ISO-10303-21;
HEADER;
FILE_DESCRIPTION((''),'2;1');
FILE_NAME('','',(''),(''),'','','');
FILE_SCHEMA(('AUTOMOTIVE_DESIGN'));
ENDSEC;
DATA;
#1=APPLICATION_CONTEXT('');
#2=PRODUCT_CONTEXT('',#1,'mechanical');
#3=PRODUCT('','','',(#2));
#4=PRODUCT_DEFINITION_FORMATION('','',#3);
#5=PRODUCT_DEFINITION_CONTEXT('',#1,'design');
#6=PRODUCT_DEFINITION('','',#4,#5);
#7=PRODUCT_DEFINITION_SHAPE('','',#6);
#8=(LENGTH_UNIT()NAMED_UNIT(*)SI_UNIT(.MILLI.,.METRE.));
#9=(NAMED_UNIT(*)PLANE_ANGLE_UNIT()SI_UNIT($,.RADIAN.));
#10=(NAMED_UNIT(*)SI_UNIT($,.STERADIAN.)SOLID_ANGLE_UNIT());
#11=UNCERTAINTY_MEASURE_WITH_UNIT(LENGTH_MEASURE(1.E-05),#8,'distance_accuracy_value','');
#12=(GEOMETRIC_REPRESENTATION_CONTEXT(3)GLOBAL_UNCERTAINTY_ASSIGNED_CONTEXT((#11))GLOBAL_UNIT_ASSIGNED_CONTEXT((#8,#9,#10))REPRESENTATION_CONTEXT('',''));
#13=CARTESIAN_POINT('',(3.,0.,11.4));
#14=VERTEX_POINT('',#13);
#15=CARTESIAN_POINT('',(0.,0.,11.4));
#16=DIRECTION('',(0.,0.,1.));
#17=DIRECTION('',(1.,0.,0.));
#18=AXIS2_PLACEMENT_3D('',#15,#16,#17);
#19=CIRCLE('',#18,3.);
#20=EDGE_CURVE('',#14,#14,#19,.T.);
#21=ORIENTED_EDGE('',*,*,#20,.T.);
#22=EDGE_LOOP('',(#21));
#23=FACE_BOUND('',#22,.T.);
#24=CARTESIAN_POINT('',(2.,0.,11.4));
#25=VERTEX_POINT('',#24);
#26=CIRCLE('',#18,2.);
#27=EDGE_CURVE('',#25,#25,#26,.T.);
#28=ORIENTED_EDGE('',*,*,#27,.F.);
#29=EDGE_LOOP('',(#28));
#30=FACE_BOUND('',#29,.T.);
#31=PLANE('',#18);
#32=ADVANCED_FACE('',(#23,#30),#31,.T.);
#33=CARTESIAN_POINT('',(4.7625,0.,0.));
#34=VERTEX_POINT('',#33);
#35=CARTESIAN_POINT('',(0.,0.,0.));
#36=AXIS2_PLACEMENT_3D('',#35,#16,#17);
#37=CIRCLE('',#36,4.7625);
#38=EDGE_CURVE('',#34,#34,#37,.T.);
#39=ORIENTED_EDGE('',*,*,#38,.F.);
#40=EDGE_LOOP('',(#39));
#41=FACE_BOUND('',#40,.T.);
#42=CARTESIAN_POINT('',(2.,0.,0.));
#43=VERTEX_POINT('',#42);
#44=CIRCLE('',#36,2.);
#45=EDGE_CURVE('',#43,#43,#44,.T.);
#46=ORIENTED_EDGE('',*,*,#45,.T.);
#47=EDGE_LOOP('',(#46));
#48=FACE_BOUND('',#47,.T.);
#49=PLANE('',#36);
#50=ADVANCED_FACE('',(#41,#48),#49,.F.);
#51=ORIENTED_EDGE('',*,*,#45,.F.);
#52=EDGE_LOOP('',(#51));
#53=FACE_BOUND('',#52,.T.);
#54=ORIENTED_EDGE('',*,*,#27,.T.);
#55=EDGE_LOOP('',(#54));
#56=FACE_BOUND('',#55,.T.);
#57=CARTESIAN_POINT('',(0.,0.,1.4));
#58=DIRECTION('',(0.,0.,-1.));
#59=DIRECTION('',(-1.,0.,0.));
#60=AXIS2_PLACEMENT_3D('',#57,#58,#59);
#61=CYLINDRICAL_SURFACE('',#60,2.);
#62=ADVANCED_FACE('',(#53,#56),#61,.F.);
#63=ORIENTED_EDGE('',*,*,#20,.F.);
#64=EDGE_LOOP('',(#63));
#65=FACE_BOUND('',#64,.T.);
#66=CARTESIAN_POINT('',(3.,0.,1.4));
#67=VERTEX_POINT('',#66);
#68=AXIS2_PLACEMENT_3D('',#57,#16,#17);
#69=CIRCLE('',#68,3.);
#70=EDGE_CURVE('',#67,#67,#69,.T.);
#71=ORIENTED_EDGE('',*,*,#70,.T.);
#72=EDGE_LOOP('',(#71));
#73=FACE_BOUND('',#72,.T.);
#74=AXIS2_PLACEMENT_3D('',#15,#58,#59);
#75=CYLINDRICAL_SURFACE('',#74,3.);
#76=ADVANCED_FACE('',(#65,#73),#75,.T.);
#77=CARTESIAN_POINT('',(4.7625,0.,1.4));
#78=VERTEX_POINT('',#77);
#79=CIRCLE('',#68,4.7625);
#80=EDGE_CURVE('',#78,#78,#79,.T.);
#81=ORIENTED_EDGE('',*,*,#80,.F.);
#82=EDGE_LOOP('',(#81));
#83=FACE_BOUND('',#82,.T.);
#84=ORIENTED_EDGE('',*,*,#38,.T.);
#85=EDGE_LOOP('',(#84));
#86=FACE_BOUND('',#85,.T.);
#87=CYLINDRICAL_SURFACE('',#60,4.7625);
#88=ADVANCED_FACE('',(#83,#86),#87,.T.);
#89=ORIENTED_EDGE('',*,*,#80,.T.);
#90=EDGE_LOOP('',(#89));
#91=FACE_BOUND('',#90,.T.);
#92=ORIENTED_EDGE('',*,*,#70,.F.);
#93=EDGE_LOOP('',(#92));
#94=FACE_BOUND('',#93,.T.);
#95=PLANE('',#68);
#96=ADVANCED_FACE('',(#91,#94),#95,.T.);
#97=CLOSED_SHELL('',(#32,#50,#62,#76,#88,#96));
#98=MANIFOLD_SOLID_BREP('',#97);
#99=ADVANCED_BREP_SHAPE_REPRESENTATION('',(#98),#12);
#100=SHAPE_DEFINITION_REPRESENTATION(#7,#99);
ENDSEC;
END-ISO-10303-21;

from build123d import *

# Parameters (mm, degrees)
SKETCH1_R           = 4.7625
SKETCH1_R_2         = 2
BOSS_EXTRUDE1_DEPTH = 1.4
SKETCH2_R           = 3
SKETCH2_R_2         = 2
BOSS_EXTRUDE2_DEPTH = 10


with BuildPart() as part:
    # Sketch1 → Boss-Extrude1 (new body)
    with BuildSketch(Plane(origin=(0, 0, 0), x_dir=(0, 1, 0), z_dir=(0, 0, 1))):
        with Locations(Location((0, 0, 0), (0, 0, 270))):
            Circle(SKETCH1_R)
        with Locations(Location((0, 0, 0), (0, 0, 270))):
            Circle(SKETCH1_R_2, mode=Mode.SUBTRACT)
    extrude(amount=BOSS_EXTRUDE1_DEPTH)

    # Sketch2 → Boss-Extrude2 (add)
    with BuildSketch(Plane.XY.offset(1.4)):
        Circle(SKETCH2_R)
        Circle(SKETCH2_R_2, mode=Mode.SUBTRACT)
    extrude(amount=BOSS_EXTRUDE2_DEPTH)


solid = part.part
